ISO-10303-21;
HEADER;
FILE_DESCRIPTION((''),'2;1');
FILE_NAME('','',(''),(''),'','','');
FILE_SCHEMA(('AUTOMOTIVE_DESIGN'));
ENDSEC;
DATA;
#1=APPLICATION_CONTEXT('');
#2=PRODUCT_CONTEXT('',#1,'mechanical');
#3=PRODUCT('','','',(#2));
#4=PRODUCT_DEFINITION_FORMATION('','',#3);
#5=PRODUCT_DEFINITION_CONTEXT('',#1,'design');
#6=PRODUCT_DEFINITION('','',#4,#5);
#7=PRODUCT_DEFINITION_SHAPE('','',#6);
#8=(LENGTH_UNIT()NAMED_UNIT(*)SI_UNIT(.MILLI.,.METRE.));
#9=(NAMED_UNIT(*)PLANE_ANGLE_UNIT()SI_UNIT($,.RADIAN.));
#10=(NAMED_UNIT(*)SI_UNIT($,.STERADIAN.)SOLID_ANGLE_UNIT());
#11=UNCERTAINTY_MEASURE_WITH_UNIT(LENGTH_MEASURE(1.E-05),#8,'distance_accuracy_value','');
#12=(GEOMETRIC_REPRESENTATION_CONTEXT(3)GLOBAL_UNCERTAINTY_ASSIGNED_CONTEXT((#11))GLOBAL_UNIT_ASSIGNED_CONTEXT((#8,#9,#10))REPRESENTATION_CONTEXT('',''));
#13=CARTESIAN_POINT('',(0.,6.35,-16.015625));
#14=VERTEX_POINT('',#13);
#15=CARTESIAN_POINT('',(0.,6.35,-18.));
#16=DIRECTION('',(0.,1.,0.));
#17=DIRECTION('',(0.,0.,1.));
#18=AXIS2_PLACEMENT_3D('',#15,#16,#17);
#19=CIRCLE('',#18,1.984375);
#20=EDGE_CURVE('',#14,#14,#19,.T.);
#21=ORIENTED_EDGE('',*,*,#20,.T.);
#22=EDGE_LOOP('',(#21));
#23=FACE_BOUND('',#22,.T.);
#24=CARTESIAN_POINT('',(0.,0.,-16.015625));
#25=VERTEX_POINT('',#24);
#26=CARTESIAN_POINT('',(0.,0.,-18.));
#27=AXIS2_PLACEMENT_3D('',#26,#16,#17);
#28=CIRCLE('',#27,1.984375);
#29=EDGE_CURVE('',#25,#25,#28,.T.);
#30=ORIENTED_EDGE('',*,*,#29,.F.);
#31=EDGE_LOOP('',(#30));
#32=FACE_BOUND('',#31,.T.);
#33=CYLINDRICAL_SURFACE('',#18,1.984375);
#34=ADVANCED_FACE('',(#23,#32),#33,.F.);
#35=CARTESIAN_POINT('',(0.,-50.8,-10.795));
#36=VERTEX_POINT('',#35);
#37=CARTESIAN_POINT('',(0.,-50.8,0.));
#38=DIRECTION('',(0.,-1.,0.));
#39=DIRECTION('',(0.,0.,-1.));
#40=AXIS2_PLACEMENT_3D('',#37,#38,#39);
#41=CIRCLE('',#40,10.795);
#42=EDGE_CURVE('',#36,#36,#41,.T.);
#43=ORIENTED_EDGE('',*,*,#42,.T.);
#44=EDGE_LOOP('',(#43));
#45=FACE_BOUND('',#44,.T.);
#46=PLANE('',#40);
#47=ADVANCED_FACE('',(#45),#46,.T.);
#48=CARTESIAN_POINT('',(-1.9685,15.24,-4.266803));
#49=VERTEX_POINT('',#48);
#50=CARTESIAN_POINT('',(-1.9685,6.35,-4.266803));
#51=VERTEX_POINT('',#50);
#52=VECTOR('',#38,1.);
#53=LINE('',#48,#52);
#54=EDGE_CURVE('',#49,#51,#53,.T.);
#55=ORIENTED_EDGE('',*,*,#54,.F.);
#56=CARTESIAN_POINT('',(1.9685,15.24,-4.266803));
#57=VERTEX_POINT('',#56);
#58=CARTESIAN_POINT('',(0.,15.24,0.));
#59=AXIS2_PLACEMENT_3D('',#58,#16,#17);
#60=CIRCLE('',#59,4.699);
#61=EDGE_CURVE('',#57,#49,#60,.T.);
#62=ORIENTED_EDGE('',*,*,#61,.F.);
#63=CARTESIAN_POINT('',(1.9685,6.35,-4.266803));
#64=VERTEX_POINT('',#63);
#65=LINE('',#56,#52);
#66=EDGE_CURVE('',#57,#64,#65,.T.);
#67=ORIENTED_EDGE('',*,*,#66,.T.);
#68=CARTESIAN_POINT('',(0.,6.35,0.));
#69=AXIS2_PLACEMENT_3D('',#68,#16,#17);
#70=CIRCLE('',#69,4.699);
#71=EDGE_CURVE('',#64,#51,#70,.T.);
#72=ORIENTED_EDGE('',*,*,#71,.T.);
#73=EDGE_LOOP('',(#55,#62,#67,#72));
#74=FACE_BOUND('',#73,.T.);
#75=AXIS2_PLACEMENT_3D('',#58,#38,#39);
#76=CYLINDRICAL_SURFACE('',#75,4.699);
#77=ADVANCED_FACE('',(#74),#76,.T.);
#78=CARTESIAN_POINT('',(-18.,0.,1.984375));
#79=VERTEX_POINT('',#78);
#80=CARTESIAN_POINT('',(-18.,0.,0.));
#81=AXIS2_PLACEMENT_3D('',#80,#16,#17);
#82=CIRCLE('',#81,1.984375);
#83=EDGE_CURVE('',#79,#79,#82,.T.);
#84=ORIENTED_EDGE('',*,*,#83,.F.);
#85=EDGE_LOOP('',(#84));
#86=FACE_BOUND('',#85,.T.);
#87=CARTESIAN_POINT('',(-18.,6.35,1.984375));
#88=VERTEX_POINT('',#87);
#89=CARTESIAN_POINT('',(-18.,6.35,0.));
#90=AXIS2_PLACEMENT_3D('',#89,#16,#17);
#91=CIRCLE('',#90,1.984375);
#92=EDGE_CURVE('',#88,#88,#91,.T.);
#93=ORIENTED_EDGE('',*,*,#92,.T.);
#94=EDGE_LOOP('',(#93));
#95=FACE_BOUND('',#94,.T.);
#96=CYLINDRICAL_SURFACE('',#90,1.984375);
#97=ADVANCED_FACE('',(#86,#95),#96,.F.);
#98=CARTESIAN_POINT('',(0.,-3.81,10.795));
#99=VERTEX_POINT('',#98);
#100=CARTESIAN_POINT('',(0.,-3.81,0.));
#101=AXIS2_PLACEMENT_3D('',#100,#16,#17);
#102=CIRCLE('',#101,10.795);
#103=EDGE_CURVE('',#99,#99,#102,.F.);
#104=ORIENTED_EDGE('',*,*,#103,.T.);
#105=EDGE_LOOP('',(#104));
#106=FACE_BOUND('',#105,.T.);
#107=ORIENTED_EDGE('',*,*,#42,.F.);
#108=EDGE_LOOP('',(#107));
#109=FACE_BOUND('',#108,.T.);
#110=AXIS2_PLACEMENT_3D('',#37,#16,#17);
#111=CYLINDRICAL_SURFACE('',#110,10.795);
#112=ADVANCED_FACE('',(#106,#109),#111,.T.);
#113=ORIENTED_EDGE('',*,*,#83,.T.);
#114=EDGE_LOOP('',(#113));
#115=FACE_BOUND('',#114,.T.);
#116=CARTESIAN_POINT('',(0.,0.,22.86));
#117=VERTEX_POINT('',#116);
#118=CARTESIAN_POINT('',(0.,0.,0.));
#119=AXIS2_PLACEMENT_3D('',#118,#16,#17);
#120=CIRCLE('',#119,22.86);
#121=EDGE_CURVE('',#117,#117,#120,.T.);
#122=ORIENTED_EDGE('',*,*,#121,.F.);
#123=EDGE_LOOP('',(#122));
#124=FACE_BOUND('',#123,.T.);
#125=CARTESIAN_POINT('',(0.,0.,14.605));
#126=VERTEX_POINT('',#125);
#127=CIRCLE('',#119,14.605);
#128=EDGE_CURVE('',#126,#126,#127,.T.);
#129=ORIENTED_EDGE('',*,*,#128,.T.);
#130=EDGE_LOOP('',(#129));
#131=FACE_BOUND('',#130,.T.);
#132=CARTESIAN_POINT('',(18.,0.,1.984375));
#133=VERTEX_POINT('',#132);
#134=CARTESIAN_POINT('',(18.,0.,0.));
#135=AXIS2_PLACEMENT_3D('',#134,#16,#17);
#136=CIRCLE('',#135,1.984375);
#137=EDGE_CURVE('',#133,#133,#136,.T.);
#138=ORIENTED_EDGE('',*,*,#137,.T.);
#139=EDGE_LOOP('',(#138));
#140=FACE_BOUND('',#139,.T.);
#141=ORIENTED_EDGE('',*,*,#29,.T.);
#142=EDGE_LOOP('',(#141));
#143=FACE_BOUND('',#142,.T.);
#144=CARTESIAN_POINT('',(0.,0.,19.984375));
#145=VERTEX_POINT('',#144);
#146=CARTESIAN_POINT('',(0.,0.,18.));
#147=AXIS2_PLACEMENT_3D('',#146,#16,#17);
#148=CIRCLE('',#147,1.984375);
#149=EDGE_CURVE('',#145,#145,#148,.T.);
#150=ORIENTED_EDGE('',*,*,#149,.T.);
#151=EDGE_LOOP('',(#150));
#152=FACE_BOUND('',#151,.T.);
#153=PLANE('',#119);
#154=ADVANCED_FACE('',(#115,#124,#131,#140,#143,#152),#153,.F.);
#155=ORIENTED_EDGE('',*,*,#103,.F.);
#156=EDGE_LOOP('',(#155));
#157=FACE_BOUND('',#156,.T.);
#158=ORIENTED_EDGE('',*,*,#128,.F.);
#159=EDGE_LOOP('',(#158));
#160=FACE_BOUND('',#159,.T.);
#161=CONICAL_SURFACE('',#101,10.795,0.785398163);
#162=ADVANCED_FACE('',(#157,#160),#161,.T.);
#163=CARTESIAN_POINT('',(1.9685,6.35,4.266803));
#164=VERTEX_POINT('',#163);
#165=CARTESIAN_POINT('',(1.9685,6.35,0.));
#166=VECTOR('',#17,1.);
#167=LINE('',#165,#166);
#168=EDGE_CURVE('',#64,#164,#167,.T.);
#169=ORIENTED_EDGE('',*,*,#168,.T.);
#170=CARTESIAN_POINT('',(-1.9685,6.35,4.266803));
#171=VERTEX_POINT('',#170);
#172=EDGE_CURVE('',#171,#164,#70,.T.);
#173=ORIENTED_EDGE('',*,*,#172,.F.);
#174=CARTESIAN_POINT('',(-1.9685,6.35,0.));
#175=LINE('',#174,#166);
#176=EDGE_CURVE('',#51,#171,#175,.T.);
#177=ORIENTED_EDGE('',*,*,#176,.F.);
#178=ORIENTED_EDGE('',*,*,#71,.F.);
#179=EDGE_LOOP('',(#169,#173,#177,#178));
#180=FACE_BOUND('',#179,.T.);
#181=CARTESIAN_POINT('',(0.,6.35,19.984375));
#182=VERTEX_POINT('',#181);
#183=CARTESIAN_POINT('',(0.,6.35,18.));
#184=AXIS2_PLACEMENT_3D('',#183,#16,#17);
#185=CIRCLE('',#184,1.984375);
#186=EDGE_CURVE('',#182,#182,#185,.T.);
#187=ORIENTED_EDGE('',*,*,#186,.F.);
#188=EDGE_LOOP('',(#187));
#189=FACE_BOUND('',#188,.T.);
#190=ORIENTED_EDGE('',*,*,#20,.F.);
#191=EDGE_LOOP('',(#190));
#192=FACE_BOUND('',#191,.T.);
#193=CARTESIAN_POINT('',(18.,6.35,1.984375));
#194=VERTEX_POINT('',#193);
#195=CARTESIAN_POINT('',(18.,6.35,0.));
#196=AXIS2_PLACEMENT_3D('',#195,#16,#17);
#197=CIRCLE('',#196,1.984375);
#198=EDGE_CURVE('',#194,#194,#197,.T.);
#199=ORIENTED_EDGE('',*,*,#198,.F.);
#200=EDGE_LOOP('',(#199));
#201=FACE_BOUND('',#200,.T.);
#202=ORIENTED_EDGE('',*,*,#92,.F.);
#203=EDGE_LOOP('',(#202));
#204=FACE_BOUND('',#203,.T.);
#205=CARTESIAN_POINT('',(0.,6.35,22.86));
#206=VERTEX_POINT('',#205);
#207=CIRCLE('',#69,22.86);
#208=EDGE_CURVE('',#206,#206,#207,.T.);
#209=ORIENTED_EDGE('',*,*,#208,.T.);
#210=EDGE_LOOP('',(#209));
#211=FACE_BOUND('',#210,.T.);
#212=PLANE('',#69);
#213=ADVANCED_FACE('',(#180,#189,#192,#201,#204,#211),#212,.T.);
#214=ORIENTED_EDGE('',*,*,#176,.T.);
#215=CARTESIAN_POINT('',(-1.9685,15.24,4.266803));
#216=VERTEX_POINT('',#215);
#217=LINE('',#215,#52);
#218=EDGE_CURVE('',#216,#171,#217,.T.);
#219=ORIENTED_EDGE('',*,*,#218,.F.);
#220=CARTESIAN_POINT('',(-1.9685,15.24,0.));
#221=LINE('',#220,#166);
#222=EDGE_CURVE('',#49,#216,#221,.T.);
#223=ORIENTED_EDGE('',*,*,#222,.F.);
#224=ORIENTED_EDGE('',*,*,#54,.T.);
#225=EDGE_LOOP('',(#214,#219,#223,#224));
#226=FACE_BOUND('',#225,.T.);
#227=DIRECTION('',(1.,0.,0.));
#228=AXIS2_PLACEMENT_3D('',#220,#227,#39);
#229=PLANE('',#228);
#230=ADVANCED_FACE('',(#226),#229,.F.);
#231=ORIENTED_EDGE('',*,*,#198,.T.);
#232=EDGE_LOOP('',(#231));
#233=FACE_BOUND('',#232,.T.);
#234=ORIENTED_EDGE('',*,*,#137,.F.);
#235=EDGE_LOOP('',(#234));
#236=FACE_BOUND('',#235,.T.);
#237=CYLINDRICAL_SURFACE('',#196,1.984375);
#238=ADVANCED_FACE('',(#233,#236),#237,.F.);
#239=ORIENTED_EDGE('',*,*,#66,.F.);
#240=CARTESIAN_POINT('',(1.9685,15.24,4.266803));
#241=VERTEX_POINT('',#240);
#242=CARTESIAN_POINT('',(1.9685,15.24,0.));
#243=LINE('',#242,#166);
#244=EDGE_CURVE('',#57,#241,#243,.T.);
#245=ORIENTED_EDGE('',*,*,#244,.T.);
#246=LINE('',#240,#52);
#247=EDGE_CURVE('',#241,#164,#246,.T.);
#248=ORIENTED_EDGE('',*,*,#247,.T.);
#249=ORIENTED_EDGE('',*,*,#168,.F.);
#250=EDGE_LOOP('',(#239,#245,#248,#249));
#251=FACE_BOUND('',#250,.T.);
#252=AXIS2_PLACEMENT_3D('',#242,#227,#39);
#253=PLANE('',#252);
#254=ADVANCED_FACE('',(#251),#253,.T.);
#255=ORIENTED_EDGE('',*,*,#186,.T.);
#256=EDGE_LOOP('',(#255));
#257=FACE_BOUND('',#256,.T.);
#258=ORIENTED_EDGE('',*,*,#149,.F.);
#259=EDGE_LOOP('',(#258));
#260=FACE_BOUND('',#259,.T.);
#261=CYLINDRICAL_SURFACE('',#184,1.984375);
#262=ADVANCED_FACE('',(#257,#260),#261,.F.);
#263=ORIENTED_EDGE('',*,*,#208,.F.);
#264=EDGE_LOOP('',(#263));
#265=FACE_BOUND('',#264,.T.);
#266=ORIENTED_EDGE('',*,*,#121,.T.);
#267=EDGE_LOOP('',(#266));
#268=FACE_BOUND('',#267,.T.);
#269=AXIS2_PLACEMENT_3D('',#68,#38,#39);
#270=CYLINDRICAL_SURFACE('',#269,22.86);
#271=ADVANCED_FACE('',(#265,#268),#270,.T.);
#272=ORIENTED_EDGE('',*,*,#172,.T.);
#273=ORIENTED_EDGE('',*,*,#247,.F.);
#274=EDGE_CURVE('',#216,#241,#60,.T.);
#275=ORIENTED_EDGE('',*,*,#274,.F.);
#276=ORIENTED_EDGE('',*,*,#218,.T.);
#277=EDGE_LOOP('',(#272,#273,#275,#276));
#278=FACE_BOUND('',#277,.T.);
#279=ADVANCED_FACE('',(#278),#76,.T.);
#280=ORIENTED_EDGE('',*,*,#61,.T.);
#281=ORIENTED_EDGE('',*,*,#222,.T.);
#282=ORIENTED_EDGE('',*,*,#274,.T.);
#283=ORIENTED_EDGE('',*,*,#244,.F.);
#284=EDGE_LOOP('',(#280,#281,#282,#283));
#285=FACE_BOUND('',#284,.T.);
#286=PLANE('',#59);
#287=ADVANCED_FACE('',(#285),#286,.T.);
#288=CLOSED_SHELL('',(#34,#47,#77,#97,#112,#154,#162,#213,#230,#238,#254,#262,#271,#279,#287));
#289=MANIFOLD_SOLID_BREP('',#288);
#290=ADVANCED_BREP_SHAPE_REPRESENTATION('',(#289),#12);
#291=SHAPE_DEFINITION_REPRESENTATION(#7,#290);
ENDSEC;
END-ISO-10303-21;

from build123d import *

# Parameters (mm, degrees)
SKETCH1_R                           = 22.86
BOSS_EXTRUDE1_DEPTH                 = 6.35
BOSS_EXTRUDE2_DEPTH                 = 8.89
SKETCH3_R                           = 10.795
BOSS_EXTRUDE3_DEPTH                 = 50.8
CHAMFER1_SIZE                       = 3.81
F_5_32_0_15625_DIAMETER_HOLE1_D     = 3.96875
F_5_32_0_15625_DIAMETER_HOLE1_DEPTH = 6.351
CIRPATTERN1_COUNT                   = 4


with BuildPart() as part:
    # Sketch1 → Boss-Extrude1 (new body)
    with BuildSketch(Plane(origin=(0, 0, 0), x_dir=(1, 0, 0), z_dir=(0, 1, 0))):
        Circle(SKETCH1_R)
    extrude(amount=BOSS_EXTRUDE1_DEPTH)

    # Sketch2 → Boss-Extrude2 (add)
    with BuildSketch(Plane(origin=(0, 6.35, 0), x_dir=(1, 0, 0), z_dir=(0, 1, 0))):
        with BuildLine():
            Line((1.9685, -4.266803107), (1.9685, 4.266803107))
            ThreePointArc((1.9685, 4.266803107), (0, 4.699), (-1.9685, 4.266803107))
            Line((-1.9685, 4.266803107), (-1.9685, -4.266803107))
            ThreePointArc((-1.9685, -4.266803107), (0, -4.699), (1.9685, -4.266803107))
        make_face()
    extrude(amount=BOSS_EXTRUDE2_DEPTH)

    # Sketch3 → Boss-Extrude3 (add)
    with BuildSketch(Plane.XZ):
        Circle(SKETCH3_R)
    extrude(amount=BOSS_EXTRUDE3_DEPTH)

    # Chamfer1
    chamfer1_edges = [part.edges().sort_by_distance(p)[0] for p in [
        (-10.795, 0, 0),
    ]]
    chamfer(chamfer1_edges, length=CHAMFER1_SIZE)

    # 5/32 (0.15625) Diameter Hole1
    with Locations(Plane(origin=(0, 6.35, 0), x_dir=(1, 0, 0), z_dir=(0, 1, 0))):
        with Locations((0, 18)):
            f_5_32_0_15625_diameter_hole1 = Hole(F_5_32_0_15625_DIAMETER_HOLE1_D / 2, depth=F_5_32_0_15625_DIAMETER_HOLE1_DEPTH)

    # CirPattern1: 5/32 (0.15625) Diameter Hole1 ×4 about axis
    cirpattern1_axis = Axis((0, 0, 0), (0, 1, 0))
    for i in range(1, CIRPATTERN1_COUNT):
        add(f_5_32_0_15625_diameter_hole1.rotate(cirpattern1_axis, i * 360 / CIRPATTERN1_COUNT), mode=Mode.SUBTRACT)


solid = part.part
